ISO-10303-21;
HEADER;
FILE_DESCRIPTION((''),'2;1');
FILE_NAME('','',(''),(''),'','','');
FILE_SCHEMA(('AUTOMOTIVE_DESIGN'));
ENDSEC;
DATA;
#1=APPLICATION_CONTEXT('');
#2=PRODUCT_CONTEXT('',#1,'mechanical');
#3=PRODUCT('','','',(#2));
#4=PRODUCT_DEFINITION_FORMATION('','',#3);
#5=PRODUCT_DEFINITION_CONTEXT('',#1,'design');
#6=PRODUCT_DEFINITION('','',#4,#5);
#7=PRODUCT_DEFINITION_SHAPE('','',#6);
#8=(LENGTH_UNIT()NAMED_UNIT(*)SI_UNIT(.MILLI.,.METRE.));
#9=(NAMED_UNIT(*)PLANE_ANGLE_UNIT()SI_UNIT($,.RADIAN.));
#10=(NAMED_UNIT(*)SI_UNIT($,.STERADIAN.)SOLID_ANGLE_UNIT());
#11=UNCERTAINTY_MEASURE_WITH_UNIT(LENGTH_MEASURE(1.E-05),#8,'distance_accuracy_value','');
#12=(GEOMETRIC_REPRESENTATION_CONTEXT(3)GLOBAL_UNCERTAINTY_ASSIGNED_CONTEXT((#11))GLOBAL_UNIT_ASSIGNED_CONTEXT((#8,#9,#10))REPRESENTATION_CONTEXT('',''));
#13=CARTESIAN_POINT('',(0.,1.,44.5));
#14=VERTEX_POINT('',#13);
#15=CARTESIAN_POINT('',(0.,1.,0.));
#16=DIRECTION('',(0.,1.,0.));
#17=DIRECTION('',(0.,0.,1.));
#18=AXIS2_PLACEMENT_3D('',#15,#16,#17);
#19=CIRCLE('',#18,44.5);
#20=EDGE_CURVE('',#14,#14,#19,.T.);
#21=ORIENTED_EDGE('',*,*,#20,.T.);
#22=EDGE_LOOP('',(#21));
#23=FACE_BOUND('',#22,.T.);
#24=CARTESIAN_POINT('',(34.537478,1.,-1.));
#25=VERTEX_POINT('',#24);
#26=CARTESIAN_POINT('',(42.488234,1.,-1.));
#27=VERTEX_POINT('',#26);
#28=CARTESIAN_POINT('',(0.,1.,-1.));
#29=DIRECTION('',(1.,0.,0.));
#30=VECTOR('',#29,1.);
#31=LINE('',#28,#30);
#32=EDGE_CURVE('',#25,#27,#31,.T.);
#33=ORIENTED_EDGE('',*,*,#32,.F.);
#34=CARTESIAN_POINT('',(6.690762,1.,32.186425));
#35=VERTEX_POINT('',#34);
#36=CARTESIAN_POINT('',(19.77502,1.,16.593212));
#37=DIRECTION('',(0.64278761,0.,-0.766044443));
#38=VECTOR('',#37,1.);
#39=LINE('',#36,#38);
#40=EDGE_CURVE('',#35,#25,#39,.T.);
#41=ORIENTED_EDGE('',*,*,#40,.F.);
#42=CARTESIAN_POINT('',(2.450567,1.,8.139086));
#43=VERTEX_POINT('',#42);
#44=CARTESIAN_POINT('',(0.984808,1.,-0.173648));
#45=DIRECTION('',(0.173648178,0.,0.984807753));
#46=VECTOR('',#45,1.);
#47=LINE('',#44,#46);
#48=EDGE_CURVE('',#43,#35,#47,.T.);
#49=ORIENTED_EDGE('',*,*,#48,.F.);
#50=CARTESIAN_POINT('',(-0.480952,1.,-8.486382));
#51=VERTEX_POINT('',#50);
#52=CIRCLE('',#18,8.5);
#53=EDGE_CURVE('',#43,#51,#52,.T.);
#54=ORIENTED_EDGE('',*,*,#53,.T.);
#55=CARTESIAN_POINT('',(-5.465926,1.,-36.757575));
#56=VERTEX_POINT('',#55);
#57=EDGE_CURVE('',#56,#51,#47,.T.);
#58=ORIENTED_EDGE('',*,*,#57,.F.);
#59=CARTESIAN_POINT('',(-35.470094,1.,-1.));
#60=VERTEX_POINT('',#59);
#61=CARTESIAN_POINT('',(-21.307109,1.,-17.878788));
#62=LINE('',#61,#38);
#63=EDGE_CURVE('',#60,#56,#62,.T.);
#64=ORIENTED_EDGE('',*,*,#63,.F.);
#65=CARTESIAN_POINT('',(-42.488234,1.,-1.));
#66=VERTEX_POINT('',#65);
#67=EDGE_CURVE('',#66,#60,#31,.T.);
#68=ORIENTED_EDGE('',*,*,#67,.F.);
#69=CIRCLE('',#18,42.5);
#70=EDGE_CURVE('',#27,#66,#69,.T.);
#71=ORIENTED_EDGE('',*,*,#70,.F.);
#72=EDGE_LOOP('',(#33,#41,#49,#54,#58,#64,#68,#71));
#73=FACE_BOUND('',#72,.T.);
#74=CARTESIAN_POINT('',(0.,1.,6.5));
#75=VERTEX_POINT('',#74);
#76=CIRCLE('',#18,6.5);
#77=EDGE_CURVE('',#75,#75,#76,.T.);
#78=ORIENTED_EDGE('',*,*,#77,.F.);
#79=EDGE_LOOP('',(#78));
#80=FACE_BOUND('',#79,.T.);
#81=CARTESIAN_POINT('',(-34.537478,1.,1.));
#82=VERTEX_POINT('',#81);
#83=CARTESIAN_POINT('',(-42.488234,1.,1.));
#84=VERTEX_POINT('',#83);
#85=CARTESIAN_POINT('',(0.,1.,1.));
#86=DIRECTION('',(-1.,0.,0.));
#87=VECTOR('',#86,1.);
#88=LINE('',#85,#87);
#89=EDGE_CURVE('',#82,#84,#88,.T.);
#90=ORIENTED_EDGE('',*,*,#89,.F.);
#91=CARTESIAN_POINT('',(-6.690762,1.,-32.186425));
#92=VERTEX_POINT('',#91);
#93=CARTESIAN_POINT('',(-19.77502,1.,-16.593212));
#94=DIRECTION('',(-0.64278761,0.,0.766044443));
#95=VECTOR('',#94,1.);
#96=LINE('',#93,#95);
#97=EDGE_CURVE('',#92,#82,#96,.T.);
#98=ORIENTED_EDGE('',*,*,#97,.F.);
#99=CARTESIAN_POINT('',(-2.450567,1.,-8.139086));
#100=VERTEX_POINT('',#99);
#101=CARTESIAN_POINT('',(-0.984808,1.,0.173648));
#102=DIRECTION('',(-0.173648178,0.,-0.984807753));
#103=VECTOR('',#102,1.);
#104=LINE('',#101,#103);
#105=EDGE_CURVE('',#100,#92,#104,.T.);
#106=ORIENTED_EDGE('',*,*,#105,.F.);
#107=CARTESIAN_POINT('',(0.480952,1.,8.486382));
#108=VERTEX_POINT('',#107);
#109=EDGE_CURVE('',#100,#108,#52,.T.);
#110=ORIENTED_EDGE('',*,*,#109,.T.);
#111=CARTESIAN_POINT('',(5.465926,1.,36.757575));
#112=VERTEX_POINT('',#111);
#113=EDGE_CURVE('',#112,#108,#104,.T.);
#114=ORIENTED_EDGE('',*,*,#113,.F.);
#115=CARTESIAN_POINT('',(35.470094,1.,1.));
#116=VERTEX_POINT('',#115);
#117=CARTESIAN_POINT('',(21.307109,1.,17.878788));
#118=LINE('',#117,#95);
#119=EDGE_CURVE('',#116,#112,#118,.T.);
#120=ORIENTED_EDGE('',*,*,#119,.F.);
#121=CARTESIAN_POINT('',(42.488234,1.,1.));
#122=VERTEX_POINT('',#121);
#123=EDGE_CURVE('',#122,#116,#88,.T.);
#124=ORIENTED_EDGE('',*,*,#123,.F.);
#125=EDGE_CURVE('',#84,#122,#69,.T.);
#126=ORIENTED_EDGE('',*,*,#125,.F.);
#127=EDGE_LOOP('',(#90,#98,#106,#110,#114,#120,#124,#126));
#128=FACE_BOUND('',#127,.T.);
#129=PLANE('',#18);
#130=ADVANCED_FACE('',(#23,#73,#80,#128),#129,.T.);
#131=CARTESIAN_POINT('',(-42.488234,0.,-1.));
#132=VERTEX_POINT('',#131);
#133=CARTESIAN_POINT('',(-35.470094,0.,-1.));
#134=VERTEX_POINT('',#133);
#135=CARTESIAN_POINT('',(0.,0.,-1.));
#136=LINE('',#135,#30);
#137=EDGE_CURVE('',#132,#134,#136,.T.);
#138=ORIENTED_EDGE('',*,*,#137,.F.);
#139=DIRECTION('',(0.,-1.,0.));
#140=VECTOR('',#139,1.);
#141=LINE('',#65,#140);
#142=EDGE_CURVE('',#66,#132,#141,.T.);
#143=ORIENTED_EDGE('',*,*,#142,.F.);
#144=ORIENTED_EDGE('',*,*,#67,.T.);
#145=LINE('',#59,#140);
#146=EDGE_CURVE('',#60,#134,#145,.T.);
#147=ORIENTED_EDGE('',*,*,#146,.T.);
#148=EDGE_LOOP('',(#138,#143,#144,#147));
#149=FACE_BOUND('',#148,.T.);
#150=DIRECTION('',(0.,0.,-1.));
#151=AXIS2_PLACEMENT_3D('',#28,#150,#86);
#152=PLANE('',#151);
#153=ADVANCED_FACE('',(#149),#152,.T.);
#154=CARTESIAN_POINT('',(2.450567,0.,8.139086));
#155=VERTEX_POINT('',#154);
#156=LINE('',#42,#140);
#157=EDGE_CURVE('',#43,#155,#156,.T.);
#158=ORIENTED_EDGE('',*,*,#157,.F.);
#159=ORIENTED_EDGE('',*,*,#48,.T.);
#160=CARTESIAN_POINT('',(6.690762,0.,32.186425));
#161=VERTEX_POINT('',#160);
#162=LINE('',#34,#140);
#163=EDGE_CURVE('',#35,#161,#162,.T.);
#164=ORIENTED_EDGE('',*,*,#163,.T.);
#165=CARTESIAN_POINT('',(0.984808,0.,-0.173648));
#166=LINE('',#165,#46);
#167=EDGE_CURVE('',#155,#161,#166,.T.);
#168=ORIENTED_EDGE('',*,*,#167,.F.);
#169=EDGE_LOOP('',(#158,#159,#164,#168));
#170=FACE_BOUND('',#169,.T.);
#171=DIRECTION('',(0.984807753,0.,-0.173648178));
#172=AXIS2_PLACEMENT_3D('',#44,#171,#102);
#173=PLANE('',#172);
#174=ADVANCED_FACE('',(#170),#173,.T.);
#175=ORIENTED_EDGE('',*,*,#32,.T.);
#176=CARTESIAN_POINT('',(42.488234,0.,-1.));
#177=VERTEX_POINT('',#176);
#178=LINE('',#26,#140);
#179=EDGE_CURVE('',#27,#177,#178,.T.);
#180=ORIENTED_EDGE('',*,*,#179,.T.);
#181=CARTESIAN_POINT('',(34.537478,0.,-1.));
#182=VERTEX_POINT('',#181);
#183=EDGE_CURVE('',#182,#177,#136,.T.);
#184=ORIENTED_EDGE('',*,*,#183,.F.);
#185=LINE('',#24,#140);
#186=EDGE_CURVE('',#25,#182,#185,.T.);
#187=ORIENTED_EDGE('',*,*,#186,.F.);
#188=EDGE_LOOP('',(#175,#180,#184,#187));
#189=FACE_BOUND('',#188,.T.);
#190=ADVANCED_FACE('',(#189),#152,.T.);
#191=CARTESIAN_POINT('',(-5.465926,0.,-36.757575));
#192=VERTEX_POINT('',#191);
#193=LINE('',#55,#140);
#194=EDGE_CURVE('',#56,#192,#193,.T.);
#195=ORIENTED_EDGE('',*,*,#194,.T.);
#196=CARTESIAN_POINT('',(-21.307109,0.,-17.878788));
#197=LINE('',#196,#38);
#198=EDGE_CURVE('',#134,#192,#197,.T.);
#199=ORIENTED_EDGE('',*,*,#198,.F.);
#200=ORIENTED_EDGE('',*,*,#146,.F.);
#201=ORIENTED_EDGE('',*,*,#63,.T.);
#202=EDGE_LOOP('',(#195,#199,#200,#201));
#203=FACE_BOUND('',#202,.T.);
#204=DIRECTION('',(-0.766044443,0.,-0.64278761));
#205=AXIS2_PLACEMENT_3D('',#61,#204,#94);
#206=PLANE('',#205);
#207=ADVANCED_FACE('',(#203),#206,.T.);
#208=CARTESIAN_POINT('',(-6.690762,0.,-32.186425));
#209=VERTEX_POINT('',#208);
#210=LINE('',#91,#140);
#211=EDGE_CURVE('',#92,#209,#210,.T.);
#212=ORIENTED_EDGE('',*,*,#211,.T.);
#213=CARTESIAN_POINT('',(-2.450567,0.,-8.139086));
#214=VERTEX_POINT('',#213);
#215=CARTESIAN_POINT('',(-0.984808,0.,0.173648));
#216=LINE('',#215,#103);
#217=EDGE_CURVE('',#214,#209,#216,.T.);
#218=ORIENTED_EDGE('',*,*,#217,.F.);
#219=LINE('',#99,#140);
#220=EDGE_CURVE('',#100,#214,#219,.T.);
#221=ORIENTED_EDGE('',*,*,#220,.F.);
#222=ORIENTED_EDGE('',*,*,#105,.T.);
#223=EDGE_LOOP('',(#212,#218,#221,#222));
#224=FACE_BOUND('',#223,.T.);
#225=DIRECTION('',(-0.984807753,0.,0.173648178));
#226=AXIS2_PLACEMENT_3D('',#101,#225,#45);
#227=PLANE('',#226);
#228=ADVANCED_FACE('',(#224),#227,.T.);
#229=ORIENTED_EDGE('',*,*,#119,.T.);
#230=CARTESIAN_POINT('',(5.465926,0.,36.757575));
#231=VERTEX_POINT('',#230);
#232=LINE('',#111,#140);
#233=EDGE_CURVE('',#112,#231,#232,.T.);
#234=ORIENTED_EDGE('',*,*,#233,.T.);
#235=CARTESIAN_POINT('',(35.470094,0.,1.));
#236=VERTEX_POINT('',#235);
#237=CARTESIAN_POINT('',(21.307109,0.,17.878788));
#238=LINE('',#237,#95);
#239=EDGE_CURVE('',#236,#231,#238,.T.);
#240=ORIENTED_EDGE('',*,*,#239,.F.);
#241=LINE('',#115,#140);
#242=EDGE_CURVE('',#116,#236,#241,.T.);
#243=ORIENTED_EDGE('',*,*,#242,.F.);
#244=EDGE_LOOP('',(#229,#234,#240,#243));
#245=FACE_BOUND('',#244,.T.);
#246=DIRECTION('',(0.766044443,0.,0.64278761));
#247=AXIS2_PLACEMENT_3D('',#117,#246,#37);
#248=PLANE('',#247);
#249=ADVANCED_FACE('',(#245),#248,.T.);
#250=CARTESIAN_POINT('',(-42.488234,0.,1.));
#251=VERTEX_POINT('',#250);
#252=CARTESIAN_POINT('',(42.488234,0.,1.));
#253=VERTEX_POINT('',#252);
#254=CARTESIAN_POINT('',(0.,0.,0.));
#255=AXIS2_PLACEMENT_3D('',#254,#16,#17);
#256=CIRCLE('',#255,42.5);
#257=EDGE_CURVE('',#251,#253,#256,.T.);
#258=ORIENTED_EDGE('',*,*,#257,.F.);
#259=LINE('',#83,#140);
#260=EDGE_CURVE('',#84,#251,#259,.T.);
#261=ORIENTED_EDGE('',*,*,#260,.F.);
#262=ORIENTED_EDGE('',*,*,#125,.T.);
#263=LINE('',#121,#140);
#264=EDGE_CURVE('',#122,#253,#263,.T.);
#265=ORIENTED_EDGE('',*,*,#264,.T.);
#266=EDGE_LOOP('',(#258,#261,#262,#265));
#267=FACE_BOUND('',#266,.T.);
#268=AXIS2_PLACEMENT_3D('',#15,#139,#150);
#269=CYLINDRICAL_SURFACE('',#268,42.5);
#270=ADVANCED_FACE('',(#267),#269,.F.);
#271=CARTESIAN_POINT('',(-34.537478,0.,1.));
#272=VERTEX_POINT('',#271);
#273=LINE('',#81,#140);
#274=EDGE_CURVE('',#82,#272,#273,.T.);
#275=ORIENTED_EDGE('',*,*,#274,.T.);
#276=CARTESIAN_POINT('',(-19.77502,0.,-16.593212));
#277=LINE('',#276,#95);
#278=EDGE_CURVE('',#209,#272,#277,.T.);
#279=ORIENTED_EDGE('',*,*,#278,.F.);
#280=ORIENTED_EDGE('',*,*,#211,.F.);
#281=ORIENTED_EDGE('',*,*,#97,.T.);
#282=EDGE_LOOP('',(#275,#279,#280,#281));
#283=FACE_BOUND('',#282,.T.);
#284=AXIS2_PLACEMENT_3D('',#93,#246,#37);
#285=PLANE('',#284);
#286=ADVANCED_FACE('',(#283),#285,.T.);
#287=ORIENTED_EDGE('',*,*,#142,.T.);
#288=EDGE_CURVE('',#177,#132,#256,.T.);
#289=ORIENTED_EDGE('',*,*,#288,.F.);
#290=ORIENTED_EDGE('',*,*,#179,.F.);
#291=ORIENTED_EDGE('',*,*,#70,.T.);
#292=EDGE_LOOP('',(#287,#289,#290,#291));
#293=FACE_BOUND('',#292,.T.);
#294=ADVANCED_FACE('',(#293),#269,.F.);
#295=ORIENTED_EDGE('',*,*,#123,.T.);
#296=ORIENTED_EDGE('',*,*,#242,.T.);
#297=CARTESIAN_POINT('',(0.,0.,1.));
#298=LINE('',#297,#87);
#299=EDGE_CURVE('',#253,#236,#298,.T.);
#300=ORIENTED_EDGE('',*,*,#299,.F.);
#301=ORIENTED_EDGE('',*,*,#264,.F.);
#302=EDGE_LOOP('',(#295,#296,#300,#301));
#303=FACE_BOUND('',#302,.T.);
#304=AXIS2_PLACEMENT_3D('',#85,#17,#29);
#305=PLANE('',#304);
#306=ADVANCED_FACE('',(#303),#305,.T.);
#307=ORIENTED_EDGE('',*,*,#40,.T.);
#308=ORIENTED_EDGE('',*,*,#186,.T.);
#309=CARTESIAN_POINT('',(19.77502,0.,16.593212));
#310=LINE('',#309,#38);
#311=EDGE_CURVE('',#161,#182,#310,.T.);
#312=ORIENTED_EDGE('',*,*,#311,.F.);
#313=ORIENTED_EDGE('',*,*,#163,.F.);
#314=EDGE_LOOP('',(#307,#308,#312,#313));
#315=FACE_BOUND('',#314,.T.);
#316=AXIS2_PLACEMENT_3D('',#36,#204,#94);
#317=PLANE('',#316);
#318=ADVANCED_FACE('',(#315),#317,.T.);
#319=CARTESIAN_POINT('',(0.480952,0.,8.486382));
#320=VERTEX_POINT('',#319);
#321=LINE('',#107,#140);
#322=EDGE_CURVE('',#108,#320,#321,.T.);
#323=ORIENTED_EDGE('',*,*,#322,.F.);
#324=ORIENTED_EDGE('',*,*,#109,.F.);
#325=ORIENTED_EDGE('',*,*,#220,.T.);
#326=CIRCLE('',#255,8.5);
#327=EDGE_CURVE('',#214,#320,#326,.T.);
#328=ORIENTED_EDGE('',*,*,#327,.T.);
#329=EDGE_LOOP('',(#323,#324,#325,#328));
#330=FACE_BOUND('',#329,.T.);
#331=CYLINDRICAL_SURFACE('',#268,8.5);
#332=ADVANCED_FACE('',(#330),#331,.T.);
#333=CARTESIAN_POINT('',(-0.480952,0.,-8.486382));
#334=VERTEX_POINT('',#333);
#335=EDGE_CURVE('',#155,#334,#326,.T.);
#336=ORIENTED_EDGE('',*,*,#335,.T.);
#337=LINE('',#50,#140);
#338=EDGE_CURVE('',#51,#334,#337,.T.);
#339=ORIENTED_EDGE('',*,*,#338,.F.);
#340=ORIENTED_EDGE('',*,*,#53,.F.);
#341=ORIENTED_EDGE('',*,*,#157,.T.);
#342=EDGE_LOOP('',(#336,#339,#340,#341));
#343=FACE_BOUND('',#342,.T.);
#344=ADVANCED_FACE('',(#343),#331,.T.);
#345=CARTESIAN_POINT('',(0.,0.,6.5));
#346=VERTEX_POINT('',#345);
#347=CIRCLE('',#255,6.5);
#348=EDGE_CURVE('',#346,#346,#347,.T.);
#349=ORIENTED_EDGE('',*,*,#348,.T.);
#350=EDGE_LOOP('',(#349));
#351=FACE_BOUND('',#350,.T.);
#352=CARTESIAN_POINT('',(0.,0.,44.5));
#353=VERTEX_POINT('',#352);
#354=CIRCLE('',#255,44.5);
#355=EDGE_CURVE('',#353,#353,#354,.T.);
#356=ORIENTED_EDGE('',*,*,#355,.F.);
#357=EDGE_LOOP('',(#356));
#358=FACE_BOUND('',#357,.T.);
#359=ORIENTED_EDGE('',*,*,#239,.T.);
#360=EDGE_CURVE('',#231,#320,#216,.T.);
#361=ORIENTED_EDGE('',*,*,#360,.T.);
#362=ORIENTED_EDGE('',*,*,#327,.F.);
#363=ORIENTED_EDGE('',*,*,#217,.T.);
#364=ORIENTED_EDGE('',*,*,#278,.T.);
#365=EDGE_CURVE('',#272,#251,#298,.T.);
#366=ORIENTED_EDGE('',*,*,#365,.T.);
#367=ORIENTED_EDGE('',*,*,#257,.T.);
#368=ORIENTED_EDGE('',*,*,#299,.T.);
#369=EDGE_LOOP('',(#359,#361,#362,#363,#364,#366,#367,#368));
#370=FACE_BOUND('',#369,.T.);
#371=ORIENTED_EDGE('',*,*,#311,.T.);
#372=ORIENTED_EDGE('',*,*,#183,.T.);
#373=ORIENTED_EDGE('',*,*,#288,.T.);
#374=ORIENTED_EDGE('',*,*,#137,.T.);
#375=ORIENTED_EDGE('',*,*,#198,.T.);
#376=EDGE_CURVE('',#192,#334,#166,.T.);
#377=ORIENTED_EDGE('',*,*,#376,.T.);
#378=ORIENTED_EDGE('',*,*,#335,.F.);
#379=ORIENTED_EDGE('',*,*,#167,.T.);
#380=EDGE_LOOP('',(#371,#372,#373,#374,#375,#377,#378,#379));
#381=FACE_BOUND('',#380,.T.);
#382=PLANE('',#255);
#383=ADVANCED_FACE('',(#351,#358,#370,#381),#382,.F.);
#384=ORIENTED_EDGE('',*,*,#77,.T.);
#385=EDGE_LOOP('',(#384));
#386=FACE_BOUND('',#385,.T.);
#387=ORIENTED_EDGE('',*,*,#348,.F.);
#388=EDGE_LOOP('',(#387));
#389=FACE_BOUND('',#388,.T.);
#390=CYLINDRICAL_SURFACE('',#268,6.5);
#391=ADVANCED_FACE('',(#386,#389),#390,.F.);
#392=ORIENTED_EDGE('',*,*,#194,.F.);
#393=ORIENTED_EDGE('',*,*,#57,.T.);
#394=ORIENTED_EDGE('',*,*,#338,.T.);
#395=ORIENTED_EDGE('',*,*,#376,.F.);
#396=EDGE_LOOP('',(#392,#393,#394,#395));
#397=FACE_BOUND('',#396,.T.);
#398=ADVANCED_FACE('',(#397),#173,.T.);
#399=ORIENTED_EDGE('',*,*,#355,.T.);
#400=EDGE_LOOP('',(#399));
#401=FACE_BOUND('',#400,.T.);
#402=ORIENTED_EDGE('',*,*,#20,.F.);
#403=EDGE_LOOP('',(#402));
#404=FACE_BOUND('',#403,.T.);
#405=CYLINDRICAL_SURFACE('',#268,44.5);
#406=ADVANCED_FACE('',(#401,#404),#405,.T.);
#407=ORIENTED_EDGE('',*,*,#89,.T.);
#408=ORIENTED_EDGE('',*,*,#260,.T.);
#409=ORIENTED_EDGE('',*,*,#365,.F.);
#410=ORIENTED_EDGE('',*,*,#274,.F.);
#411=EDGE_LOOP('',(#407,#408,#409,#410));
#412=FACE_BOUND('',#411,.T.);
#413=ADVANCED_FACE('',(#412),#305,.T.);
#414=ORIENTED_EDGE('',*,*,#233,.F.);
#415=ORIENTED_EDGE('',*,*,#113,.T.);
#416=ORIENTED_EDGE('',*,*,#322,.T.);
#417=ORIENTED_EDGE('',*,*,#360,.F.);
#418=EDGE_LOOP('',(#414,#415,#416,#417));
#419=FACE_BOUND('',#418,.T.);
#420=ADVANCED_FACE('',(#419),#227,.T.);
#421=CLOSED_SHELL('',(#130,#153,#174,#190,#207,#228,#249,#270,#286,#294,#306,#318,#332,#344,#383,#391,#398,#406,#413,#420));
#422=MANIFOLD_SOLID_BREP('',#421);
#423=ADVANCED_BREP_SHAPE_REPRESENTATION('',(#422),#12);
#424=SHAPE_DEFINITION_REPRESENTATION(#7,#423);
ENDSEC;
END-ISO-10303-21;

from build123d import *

# Parameters (mm, degrees)
SKETCH_1_R      = 44.5
SKETCH_1_R_2    = 42.5
EXTRUDE_7_DEPTH = 1


with BuildPart() as part:
    # Эскиз1 → Бобышка-Вытянуть7 (new body)
    # profile 1 of 9: a face of its own
    with BuildSketch(Plane(origin=(0, 0, 0), x_dir=(1, 0, 0), z_dir=(0, 1, 0))):
        with Locations(Location((0, 0, 0), (0, 0, 270))):
            Circle(SKETCH_1_R)
        Circle(SKETCH_1_R_2, mode=Mode.SUBTRACT)
    # profile 2 of 9: a face of its own
    with BuildSketch(Plane(origin=(0, 0, 0), x_dir=(1, 0, 0), z_dir=(0, 1, 0))):
        with BuildLine():
            Line((-35.470093763, 1), (-42.488233665, 1))
            ThreePointArc((-42.488233665, 1), (-42.5, 0), (-42.488233665, -1))
            Line((-42.488233665, -1), (-34.537478446, -1))
            Line((-34.537478446, -1), (-6.690761703, 32.186424721))
            Line((-6.690761703, 32.186424721), (-2.450567073, 8.139086006))
            ThreePointArc((-2.450567073, 8.139086006), (-1.47600951, 8.370865901), (-0.480951567, 8.486382362))
            Line((-0.480951567, 8.486382362), (-5.465925634, 36.75757516))
            Line((-5.465925634, 36.75757516), (-35.470093763, 1))
        make_face()
    # profile 3 of 9: a face of its own
    with BuildSketch(Plane(origin=(0, 0, 0), x_dir=(1, 0, 0), z_dir=(0, 1, 0))):
        with BuildLine():
            ThreePointArc((8.5, 0), (5.837889673, 6.17811008), (-0.480951567, 8.486382362))
            Line((-0.480951567, 8.486382362), (-0.130467861, 6.498690494))
            ThreePointArc((-0.130467861, 6.498690494), (4.549832904, 4.64209226), (6.5, 0))
            ThreePointArc((6.5, 0), (5.28680158, -3.781498255), (2.100083368, -6.151394139))
            Line((2.100083368, -6.151394139), (2.450567073, -8.139086006))
            ThreePointArc((2.450567073, -8.139086006), (6.822016568, -5.070511802), (8.5, 0))
        make_face()
    # profile 4 of 9: a face of its own
    with BuildSketch(Plane(origin=(0, 0, 0), x_dir=(1, 0, 0), z_dir=(0, 1, 0))):
        with BuildLine():
            Line((-0.130467861, 6.498690494), (-0.480951567, 8.486382362))
            ThreePointArc((-0.480951567, 8.486382362), (-1.47600951, 8.370865901), (-2.450567073, 8.139086006))
            Line((-2.450567073, 8.139086006), (-2.100083368, 6.151394139))
            ThreePointArc((-2.100083368, 6.151394139), (-1.128713155, 6.401250395), (-0.130467861, 6.498690494))
        make_face()
    # profile 5 of 9: a face of its own
    with BuildSketch(Plane(origin=(0, 0, 0), x_dir=(1, 0, 0), z_dir=(0, 1, 0))):
        with BuildLine():
            ThreePointArc((0.480951567, -8.486382362), (1.47600951, -8.370865901), (2.450567073, -8.139086006))
            Line((2.450567073, -8.139086006), (2.100083368, -6.151394139))
            ThreePointArc((2.100083368, -6.151394139), (1.128713155, -6.401250395), (0.130467861, -6.498690494))
            Line((0.130467861, -6.498690494), (0.480951567, -8.486382362))
        make_face()
    # profile 6 of 9: a face of its own
    with BuildSketch(Plane(origin=(0, 0, 0), x_dir=(1, 0, 0), z_dir=(0, 1, 0))):
        with BuildLine():
            Line((-2.100083368, 6.151394139), (-2.450567073, 8.139086006))
            ThreePointArc((-2.450567073, 8.139086006), (-8.370865901, -1.47600951), (0.480951567, -8.486382362))
            Line((0.480951567, -8.486382362), (0.130467861, -6.498690494))
            ThreePointArc((0.130467861, -6.498690494), (-6.401250395, -1.128713155), (-2.100083368, 6.151394139))
        make_face()
    # profile 7 of 9: a face of its own
    with BuildSketch(Plane(origin=(0, 0, 0), x_dir=(1, 0, 0), z_dir=(0, 1, 0))):
        with BuildLine():
            ThreePointArc((42.5, 0), (42.497058315, 0.50003461), (42.488233665, 1))
            Line((42.488233665, 1), (34.537478446, 1))
            Line((34.537478446, 1), (6.690761703, -32.186424721))
            Line((6.690761703, -32.186424721), (2.450567073, -8.139086006))
            ThreePointArc((2.450567073, -8.139086006), (1.47600951, -8.370865901), (0.480951567, -8.486382362))
            Line((0.480951567, -8.486382362), (5.465925634, -36.75757516))
            Line((5.465925634, -36.75757516), (35.470093763, -1))
            Line((35.470093763, -1), (42.488233665, -1))
            ThreePointArc((42.488233665, -1), (42.497058315, -0.50003461), (42.5, 0))
        make_face()
    # profile 8 of 9: a face of its own
    with BuildSketch(Plane(origin=(0, 0, 0), x_dir=(1, 0, 0), z_dir=(0, 1, 0))):
        with BuildLine():
            Line((-0.130467861, 6.498690494), (-0.480951567, 8.486382362))
            ThreePointArc((-0.480951567, 8.486382362), (-1.47600951, 8.370865901), (-2.450567073, 8.139086006))
            Line((-2.450567073, 8.139086006), (-2.100083368, 6.151394139))
            ThreePointArc((-2.100083368, 6.151394139), (-1.128713155, 6.401250395), (-0.130467861, 6.498690494))
        make_face()
    # profile 9 of 9: a face of its own
    with BuildSketch(Plane(origin=(0, 0, 0), x_dir=(1, 0, 0), z_dir=(0, 1, 0))):
        with BuildLine():
            ThreePointArc((0.480951567, -8.486382362), (1.47600951, -8.370865901), (2.450567073, -8.139086006))
            Line((2.450567073, -8.139086006), (2.100083368, -6.151394139))
            ThreePointArc((2.100083368, -6.151394139), (1.128713155, -6.401250395), (0.130467861, -6.498690494))
            Line((0.130467861, -6.498690494), (0.480951567, -8.486382362))
        make_face()
    extrude(amount=EXTRUDE_7_DEPTH)


solid = part.part
